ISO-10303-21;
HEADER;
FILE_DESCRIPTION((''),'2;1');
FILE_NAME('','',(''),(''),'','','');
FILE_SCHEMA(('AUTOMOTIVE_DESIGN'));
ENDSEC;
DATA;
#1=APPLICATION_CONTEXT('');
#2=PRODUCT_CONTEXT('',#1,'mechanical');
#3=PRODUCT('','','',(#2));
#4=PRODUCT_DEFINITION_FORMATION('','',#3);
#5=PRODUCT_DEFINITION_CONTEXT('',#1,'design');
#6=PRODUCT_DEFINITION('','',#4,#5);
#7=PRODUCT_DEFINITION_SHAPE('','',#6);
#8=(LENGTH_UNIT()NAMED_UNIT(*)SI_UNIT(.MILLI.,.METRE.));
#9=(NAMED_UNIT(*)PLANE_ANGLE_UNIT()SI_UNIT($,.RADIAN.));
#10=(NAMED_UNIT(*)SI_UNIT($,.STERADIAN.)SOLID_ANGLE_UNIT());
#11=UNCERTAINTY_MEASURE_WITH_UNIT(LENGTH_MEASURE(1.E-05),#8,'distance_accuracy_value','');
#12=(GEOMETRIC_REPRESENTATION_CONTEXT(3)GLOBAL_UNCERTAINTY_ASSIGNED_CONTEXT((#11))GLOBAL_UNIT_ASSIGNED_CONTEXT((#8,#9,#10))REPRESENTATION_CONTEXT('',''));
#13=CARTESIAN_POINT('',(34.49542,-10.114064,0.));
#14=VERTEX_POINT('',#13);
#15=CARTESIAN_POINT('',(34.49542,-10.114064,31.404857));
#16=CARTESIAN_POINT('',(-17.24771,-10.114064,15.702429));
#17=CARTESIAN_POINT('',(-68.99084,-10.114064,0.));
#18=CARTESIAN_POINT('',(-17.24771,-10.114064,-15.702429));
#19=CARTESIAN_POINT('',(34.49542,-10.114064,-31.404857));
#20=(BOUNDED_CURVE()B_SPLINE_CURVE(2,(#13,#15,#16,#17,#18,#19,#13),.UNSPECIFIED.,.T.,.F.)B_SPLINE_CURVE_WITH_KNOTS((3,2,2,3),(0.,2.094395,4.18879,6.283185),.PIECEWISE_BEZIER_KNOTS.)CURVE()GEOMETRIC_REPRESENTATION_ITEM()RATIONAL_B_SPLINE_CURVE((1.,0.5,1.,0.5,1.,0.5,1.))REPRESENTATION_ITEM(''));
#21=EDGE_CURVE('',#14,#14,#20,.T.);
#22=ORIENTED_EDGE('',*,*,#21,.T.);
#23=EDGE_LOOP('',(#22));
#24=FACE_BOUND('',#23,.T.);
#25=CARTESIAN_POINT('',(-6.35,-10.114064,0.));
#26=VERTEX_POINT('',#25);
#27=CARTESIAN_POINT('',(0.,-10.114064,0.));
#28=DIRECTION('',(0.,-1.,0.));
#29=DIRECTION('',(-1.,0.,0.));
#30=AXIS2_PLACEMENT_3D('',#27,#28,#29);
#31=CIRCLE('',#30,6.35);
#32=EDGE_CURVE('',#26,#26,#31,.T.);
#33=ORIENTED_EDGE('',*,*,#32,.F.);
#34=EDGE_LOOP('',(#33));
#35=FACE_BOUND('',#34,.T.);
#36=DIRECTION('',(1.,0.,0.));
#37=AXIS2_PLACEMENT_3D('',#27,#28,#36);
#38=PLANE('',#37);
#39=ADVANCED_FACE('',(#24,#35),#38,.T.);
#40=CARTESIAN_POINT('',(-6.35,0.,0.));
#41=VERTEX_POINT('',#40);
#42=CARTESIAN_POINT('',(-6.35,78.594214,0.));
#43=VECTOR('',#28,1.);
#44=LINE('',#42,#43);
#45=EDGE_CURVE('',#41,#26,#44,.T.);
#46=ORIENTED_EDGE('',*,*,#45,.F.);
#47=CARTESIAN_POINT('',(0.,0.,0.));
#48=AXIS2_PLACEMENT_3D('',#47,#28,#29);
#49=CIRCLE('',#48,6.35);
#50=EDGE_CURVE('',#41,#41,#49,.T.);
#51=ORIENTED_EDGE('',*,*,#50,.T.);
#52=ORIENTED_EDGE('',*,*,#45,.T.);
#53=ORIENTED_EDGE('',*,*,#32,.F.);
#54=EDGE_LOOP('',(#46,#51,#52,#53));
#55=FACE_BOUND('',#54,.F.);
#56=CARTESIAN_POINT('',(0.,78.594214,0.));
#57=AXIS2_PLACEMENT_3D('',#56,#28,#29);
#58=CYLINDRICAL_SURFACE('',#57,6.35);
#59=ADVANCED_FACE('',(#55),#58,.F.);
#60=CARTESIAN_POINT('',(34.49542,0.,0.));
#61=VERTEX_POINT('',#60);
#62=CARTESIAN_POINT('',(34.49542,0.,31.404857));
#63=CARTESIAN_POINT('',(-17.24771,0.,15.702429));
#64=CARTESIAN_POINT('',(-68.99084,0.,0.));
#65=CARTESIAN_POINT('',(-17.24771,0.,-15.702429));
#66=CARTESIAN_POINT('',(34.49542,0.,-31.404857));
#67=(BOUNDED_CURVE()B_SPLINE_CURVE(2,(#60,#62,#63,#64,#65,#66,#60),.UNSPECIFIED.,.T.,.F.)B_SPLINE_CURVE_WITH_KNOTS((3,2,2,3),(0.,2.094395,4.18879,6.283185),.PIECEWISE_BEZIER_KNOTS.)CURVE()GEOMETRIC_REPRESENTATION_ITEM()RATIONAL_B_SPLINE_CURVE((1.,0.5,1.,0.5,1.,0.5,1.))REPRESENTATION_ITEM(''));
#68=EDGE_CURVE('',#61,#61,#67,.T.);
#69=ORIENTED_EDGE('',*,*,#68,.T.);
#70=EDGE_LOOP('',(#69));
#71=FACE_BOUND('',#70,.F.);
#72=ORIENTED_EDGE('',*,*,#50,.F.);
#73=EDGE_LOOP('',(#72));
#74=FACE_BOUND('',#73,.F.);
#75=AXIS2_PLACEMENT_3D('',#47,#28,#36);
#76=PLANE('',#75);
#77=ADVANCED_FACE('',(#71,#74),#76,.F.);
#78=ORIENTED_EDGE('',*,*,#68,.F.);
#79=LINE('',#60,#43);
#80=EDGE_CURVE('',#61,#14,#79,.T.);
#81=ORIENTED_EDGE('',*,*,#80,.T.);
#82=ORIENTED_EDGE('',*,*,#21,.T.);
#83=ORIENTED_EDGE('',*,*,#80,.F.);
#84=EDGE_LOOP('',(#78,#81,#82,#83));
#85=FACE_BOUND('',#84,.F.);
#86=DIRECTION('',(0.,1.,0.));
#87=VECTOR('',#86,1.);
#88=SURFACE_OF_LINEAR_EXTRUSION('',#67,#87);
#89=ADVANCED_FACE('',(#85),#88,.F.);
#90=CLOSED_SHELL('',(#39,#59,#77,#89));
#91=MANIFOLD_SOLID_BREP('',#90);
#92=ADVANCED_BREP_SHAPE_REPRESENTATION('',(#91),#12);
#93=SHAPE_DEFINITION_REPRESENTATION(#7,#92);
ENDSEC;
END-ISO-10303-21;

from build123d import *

# Parameters (mm, degrees)
F1_DEPTH = 10.114064
F2_D     = 12.7


with BuildPart() as f1:
    # F0 (on Front) → F1 (new body)
    with BuildSketch(Plane.XZ):
        with BuildLine():
            add(Edge.make_bspline(
                [(34.49542, 0), (34.49542, 31.404857), (-17.24771, 15.702429), (-68.99084, 0), (-17.24771, -15.702429), (34.49542, -31.404857), (34.49542, 0)],
                knots=[0, 0, 0, 2.094395, 2.094395, 4.18879, 4.18879, 6.283185, 6.283185, 6.283185], degree=2, weights=[1, 0.5, 1, 0.5, 1, 0.5, 1]))
        make_face()
    extrude(amount=F1_DEPTH)

    # F2 (through all)
    with Locations(Plane(origin=(0, 0, 0), x_dir=(1, 0, 0), z_dir=(0, 1, 0))):
        with Locations((0, 0)):
            Hole(F2_D / 2)


solid = f1.part
